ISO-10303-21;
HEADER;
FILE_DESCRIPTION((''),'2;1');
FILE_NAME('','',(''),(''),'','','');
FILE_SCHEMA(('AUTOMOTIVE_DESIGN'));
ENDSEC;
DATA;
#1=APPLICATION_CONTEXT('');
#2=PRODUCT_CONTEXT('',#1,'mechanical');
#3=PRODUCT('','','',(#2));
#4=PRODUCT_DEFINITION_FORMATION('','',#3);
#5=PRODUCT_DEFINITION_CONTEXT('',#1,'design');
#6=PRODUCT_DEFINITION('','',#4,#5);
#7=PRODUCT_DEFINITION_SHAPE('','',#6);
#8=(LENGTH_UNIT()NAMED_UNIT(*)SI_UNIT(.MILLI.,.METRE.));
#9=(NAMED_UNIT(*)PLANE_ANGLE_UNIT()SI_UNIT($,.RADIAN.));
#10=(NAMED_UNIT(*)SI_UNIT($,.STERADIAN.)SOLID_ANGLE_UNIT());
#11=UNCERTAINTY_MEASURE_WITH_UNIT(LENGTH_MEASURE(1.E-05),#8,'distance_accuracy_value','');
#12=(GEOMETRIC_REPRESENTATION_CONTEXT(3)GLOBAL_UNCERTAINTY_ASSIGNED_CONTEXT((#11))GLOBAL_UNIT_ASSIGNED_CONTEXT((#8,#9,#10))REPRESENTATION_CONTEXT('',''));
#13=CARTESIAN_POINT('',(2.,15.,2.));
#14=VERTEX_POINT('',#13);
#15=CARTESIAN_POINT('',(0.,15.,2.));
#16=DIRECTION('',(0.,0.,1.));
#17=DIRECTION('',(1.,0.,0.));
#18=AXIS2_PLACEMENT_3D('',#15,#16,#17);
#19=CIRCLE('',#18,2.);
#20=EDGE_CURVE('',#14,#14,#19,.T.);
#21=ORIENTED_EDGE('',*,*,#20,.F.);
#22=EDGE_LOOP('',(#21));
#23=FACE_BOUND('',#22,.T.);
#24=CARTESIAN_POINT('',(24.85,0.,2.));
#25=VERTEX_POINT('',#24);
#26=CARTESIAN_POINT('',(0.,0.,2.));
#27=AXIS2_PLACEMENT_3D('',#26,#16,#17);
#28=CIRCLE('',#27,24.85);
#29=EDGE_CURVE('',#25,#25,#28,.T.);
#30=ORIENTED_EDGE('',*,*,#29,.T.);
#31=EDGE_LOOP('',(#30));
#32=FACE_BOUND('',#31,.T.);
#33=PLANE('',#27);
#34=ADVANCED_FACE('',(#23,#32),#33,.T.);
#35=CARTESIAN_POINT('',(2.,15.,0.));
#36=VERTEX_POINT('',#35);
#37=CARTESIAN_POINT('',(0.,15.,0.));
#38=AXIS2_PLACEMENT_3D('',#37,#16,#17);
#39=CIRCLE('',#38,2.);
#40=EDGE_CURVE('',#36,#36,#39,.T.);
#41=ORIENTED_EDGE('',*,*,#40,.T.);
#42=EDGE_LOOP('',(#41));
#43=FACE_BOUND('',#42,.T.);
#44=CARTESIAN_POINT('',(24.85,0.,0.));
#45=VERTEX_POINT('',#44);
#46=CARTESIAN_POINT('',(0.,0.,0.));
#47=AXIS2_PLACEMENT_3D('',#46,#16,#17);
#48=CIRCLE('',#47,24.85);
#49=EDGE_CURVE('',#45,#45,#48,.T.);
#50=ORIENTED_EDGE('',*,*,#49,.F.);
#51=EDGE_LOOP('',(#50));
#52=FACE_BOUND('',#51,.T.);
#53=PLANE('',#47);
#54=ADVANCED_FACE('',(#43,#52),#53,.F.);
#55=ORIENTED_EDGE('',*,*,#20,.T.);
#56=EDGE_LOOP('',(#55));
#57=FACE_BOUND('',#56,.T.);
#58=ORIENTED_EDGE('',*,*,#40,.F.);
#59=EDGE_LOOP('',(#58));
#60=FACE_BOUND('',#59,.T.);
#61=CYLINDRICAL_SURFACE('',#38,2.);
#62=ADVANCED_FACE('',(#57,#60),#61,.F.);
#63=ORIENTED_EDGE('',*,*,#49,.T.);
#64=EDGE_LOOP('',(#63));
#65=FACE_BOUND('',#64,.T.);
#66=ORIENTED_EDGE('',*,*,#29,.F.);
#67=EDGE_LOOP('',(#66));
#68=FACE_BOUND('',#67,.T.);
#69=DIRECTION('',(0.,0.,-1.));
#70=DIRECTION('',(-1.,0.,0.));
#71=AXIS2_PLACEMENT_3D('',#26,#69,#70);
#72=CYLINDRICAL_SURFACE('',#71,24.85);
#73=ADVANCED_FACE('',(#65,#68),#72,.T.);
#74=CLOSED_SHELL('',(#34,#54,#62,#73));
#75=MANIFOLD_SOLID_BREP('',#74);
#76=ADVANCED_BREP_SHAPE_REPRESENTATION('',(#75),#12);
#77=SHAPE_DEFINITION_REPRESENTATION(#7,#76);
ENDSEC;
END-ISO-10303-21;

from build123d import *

# Parameters (mm, degrees)
SKETCH2_R           = 24.85
BOSS_EXTRUDE1_DEPTH = 2
SKETCH3_R           = 2
CUT_EXTRUDE2_DEPTH  = 2


with BuildPart() as part:
    # Sketch2 → Boss-Extrude1 (new body)
    with BuildSketch(Plane.XY):
        Circle(SKETCH2_R)
    extrude(amount=BOSS_EXTRUDE1_DEPTH)

    # Sketch3 → Cut-Extrude2 (cut)
    with BuildSketch(Plane.XY.offset(2)):
        with Locations((0, 15)):
            Circle(SKETCH3_R)
    extrude(amount=-CUT_EXTRUDE2_DEPTH, mode=Mode.SUBTRACT)


solid = part.part
